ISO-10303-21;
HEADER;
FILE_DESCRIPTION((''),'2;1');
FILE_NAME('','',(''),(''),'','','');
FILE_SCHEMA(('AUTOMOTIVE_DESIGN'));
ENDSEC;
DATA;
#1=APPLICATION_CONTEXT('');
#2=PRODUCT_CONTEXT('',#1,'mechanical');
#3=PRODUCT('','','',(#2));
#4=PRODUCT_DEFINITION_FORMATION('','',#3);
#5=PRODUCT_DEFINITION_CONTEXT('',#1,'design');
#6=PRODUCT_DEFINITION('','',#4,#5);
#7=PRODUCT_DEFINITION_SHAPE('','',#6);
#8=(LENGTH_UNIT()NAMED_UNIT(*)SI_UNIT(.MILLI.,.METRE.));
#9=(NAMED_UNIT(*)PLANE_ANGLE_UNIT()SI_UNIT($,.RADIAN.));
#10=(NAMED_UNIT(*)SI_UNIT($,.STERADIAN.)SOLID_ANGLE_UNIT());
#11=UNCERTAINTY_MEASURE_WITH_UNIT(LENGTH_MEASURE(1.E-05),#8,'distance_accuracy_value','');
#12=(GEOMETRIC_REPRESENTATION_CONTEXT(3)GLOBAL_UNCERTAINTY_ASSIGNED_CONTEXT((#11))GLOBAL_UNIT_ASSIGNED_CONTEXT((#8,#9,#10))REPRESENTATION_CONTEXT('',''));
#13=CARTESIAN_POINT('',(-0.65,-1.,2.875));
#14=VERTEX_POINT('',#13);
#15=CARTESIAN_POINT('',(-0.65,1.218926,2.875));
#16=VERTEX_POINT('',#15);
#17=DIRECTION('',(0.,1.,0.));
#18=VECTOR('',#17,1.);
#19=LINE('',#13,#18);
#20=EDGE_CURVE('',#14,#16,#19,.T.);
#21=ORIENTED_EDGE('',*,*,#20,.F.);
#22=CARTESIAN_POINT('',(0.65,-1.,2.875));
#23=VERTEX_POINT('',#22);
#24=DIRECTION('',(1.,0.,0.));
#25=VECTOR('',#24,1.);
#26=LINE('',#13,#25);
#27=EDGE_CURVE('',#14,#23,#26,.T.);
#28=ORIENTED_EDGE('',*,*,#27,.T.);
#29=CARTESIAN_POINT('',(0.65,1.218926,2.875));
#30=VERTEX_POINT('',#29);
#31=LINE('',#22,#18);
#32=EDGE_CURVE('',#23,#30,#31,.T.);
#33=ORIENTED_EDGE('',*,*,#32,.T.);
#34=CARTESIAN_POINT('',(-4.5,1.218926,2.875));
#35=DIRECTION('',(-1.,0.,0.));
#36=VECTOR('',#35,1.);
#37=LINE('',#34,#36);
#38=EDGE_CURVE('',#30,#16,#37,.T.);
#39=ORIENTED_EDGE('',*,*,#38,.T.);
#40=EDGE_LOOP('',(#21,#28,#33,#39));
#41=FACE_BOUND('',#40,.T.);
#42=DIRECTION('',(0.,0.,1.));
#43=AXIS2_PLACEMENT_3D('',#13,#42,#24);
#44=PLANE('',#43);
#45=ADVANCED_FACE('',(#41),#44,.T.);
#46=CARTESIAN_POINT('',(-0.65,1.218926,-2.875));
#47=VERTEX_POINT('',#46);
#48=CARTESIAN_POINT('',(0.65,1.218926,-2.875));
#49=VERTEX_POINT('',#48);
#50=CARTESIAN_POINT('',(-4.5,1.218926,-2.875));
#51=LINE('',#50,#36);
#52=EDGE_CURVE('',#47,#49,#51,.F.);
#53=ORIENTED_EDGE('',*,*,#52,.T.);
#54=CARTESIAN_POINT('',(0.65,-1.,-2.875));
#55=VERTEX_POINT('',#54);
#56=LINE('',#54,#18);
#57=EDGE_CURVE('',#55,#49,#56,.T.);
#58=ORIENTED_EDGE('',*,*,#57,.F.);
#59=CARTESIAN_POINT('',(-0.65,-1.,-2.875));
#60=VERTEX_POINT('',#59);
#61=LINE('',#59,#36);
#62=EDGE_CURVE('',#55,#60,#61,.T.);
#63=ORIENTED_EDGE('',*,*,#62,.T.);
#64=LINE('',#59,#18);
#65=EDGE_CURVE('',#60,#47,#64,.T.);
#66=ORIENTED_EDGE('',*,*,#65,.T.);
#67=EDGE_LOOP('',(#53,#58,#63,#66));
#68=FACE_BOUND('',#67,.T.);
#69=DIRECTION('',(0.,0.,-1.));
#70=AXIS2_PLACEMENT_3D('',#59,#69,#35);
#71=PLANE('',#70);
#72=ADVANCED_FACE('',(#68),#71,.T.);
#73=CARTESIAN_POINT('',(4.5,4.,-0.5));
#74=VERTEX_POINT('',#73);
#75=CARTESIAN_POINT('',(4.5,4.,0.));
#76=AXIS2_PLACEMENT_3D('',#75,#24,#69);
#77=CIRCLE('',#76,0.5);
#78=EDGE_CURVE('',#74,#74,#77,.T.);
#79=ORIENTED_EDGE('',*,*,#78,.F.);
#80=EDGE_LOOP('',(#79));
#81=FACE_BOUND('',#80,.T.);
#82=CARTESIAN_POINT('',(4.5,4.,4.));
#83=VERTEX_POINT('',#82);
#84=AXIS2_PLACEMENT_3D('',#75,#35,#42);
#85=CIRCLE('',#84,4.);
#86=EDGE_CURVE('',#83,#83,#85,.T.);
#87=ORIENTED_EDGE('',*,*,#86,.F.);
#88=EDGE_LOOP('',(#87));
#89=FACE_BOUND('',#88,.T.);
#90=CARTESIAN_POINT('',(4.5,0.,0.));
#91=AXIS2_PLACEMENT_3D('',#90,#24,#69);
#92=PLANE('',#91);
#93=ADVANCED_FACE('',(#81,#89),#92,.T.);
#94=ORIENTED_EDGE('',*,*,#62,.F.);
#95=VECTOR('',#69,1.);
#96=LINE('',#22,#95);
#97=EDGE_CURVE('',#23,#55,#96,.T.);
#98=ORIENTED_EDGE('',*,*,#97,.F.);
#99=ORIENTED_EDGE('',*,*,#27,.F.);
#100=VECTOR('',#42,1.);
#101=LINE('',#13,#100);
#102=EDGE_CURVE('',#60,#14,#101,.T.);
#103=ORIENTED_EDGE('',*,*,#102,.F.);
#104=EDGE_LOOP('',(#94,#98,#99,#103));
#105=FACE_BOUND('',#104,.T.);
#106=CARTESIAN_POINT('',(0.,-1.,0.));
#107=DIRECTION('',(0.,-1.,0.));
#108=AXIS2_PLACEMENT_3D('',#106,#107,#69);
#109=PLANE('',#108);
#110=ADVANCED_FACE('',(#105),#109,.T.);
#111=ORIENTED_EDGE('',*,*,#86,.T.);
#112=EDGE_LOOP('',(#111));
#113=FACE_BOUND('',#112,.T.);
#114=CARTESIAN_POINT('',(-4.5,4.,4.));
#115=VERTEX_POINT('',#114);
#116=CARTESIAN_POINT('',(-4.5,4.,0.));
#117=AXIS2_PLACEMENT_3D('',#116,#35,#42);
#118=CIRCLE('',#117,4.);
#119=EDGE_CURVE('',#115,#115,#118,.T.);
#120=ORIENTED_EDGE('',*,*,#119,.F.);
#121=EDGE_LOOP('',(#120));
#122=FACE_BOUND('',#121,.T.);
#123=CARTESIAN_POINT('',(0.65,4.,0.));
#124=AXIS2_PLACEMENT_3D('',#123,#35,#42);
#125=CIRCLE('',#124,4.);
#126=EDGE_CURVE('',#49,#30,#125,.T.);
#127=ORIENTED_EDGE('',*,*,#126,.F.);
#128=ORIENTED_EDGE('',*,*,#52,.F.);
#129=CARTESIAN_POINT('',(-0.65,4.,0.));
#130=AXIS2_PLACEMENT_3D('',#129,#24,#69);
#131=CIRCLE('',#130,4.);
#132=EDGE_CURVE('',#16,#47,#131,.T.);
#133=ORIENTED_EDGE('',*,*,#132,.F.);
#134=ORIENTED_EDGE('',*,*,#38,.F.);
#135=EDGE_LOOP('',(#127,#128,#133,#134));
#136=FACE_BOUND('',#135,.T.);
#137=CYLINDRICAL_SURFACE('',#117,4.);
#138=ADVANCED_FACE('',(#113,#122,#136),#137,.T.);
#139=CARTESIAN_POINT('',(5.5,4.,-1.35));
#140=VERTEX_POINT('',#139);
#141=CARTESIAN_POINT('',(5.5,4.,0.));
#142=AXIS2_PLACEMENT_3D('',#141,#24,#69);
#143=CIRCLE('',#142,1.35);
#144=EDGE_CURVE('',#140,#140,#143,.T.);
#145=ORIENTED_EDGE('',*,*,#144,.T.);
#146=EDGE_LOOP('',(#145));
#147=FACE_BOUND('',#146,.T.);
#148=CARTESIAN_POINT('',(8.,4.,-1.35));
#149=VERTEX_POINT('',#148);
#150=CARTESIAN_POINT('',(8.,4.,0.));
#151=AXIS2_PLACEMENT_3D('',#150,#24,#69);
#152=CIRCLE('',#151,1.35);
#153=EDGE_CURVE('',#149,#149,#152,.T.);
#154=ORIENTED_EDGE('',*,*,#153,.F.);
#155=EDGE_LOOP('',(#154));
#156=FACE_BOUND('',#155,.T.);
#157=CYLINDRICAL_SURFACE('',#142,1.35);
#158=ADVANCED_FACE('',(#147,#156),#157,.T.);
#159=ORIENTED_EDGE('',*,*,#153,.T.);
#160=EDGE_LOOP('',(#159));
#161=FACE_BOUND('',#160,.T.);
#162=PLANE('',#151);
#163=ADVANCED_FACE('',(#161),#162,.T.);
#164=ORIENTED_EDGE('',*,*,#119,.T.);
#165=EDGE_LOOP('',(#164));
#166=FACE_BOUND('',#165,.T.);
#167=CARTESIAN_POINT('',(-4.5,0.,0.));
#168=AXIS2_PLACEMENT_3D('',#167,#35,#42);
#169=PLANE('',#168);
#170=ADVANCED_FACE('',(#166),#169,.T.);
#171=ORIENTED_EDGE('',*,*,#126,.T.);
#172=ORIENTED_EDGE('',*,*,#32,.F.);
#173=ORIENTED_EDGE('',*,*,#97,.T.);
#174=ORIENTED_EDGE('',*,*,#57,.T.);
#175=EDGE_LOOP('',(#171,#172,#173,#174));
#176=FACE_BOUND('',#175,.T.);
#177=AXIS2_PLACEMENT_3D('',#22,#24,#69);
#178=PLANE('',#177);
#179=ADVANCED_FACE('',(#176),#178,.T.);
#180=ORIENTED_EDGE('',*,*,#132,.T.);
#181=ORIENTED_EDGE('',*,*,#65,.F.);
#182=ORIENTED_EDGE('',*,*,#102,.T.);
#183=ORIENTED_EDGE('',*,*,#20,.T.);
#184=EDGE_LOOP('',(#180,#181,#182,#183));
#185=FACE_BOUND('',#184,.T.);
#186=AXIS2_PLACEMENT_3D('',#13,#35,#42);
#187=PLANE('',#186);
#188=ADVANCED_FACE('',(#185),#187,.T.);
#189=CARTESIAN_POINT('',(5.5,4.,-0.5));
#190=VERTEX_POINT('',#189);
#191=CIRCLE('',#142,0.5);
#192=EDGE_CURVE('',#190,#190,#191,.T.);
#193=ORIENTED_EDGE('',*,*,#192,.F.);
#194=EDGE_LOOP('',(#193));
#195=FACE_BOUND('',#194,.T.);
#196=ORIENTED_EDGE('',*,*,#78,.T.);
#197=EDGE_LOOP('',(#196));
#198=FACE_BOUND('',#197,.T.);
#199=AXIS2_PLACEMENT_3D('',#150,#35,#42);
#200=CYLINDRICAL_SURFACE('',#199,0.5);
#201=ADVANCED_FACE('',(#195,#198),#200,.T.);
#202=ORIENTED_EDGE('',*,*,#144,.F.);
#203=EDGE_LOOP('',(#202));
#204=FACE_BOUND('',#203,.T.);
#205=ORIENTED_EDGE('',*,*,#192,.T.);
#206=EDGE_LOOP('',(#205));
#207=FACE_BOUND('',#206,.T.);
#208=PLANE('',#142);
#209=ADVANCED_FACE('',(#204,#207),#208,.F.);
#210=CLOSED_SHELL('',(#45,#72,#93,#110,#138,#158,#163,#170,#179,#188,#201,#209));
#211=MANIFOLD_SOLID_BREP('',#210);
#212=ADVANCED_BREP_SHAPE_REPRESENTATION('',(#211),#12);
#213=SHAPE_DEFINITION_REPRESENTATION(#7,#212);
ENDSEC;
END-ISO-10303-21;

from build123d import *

# Parameters (mm, degrees)
SKETCH4_W                       = 9
SKETCH4_H                       = 4
BOSS_EXTRUDE1_REACH             = 12.012
BOSS_EXTRUDE1_END_RADIUS        = 4
SKETCH5_W                       = 1.3
SKETCH5_H                       = 5.75
BOSS_EXTRUDE1_DIRECTION_2_DEPTH = 1
SKETCH6_R                       = 0.5
BOSS_EXTRUDE2_DEPTH             = 3.5
SKETCH7_R                       = 1.35
BOSS_EXTRUDE3_DEPTH             = 2.5


with BuildPart() as part:
    # Sketch4 → Revolve3 (revolve)
    with BuildSketch(Plane.XY):
        with Locations((0, 2)):
            Rectangle(SKETCH4_W, SKETCH4_H)
    revolve(axis=Axis((-4.5, 4, 0), (1, 0, 0)))

    # Boss-Extrude1: up to this cylinder (the profile starts outside it)
    boss_extrude1_end = Plane(origin=(0, 4, 0), z_dir=(-1, 0, 0)) * Cylinder(BOSS_EXTRUDE1_END_RADIUS, 33.024, mode=Mode.PRIVATE)
    # Sketch5 → Boss-Extrude1 (add, up to the surface)
    with BuildSketch(Plane(origin=(0, 0, 0), x_dir=(1, 0, 0), z_dir=(0, 1, 0)), mode=Mode.PRIVATE) as boss_extrude1_sk1:
        Rectangle(SKETCH5_W, SKETCH5_H)
    boss_extrude1_tool1 = extrude(boss_extrude1_sk1.sketch, amount=BOSS_EXTRUDE1_REACH, mode=Mode.PRIVATE) - boss_extrude1_end
    add(boss_extrude1_tool1.solids().sort_by_distance((0, 0, 0))[0])
    add(boss_extrude1_tool1.solids().sort_by_distance((0, 0, 0))[1])

    # Sketch5 → Boss-Extrude1 direction 2 (add)
    with BuildSketch(Plane(origin=(0, 0, 0), x_dir=(1, 0, 0), z_dir=(0, 1, 0))):
        Rectangle(SKETCH5_W, SKETCH5_H)
    extrude(amount=-BOSS_EXTRUDE1_DIRECTION_2_DEPTH)

    # Sketch6 → Boss-Extrude2 (add)
    with BuildSketch(Plane(origin=(4.5, 0, 0), x_dir=(0, 0, -1), z_dir=(1, 0, 0))):
        with Locations((0, 4)):
            Circle(SKETCH6_R)
    extrude(amount=BOSS_EXTRUDE2_DEPTH)

    # Sketch7 → Boss-Extrude3 (add)
    with BuildSketch(Plane(origin=(8, 0, 0), x_dir=(0, 0, -1), z_dir=(1, 0, 0))):
        with Locations((0, 4)):
            Circle(SKETCH7_R)
    extrude(amount=-BOSS_EXTRUDE3_DEPTH)


solid = part.part
